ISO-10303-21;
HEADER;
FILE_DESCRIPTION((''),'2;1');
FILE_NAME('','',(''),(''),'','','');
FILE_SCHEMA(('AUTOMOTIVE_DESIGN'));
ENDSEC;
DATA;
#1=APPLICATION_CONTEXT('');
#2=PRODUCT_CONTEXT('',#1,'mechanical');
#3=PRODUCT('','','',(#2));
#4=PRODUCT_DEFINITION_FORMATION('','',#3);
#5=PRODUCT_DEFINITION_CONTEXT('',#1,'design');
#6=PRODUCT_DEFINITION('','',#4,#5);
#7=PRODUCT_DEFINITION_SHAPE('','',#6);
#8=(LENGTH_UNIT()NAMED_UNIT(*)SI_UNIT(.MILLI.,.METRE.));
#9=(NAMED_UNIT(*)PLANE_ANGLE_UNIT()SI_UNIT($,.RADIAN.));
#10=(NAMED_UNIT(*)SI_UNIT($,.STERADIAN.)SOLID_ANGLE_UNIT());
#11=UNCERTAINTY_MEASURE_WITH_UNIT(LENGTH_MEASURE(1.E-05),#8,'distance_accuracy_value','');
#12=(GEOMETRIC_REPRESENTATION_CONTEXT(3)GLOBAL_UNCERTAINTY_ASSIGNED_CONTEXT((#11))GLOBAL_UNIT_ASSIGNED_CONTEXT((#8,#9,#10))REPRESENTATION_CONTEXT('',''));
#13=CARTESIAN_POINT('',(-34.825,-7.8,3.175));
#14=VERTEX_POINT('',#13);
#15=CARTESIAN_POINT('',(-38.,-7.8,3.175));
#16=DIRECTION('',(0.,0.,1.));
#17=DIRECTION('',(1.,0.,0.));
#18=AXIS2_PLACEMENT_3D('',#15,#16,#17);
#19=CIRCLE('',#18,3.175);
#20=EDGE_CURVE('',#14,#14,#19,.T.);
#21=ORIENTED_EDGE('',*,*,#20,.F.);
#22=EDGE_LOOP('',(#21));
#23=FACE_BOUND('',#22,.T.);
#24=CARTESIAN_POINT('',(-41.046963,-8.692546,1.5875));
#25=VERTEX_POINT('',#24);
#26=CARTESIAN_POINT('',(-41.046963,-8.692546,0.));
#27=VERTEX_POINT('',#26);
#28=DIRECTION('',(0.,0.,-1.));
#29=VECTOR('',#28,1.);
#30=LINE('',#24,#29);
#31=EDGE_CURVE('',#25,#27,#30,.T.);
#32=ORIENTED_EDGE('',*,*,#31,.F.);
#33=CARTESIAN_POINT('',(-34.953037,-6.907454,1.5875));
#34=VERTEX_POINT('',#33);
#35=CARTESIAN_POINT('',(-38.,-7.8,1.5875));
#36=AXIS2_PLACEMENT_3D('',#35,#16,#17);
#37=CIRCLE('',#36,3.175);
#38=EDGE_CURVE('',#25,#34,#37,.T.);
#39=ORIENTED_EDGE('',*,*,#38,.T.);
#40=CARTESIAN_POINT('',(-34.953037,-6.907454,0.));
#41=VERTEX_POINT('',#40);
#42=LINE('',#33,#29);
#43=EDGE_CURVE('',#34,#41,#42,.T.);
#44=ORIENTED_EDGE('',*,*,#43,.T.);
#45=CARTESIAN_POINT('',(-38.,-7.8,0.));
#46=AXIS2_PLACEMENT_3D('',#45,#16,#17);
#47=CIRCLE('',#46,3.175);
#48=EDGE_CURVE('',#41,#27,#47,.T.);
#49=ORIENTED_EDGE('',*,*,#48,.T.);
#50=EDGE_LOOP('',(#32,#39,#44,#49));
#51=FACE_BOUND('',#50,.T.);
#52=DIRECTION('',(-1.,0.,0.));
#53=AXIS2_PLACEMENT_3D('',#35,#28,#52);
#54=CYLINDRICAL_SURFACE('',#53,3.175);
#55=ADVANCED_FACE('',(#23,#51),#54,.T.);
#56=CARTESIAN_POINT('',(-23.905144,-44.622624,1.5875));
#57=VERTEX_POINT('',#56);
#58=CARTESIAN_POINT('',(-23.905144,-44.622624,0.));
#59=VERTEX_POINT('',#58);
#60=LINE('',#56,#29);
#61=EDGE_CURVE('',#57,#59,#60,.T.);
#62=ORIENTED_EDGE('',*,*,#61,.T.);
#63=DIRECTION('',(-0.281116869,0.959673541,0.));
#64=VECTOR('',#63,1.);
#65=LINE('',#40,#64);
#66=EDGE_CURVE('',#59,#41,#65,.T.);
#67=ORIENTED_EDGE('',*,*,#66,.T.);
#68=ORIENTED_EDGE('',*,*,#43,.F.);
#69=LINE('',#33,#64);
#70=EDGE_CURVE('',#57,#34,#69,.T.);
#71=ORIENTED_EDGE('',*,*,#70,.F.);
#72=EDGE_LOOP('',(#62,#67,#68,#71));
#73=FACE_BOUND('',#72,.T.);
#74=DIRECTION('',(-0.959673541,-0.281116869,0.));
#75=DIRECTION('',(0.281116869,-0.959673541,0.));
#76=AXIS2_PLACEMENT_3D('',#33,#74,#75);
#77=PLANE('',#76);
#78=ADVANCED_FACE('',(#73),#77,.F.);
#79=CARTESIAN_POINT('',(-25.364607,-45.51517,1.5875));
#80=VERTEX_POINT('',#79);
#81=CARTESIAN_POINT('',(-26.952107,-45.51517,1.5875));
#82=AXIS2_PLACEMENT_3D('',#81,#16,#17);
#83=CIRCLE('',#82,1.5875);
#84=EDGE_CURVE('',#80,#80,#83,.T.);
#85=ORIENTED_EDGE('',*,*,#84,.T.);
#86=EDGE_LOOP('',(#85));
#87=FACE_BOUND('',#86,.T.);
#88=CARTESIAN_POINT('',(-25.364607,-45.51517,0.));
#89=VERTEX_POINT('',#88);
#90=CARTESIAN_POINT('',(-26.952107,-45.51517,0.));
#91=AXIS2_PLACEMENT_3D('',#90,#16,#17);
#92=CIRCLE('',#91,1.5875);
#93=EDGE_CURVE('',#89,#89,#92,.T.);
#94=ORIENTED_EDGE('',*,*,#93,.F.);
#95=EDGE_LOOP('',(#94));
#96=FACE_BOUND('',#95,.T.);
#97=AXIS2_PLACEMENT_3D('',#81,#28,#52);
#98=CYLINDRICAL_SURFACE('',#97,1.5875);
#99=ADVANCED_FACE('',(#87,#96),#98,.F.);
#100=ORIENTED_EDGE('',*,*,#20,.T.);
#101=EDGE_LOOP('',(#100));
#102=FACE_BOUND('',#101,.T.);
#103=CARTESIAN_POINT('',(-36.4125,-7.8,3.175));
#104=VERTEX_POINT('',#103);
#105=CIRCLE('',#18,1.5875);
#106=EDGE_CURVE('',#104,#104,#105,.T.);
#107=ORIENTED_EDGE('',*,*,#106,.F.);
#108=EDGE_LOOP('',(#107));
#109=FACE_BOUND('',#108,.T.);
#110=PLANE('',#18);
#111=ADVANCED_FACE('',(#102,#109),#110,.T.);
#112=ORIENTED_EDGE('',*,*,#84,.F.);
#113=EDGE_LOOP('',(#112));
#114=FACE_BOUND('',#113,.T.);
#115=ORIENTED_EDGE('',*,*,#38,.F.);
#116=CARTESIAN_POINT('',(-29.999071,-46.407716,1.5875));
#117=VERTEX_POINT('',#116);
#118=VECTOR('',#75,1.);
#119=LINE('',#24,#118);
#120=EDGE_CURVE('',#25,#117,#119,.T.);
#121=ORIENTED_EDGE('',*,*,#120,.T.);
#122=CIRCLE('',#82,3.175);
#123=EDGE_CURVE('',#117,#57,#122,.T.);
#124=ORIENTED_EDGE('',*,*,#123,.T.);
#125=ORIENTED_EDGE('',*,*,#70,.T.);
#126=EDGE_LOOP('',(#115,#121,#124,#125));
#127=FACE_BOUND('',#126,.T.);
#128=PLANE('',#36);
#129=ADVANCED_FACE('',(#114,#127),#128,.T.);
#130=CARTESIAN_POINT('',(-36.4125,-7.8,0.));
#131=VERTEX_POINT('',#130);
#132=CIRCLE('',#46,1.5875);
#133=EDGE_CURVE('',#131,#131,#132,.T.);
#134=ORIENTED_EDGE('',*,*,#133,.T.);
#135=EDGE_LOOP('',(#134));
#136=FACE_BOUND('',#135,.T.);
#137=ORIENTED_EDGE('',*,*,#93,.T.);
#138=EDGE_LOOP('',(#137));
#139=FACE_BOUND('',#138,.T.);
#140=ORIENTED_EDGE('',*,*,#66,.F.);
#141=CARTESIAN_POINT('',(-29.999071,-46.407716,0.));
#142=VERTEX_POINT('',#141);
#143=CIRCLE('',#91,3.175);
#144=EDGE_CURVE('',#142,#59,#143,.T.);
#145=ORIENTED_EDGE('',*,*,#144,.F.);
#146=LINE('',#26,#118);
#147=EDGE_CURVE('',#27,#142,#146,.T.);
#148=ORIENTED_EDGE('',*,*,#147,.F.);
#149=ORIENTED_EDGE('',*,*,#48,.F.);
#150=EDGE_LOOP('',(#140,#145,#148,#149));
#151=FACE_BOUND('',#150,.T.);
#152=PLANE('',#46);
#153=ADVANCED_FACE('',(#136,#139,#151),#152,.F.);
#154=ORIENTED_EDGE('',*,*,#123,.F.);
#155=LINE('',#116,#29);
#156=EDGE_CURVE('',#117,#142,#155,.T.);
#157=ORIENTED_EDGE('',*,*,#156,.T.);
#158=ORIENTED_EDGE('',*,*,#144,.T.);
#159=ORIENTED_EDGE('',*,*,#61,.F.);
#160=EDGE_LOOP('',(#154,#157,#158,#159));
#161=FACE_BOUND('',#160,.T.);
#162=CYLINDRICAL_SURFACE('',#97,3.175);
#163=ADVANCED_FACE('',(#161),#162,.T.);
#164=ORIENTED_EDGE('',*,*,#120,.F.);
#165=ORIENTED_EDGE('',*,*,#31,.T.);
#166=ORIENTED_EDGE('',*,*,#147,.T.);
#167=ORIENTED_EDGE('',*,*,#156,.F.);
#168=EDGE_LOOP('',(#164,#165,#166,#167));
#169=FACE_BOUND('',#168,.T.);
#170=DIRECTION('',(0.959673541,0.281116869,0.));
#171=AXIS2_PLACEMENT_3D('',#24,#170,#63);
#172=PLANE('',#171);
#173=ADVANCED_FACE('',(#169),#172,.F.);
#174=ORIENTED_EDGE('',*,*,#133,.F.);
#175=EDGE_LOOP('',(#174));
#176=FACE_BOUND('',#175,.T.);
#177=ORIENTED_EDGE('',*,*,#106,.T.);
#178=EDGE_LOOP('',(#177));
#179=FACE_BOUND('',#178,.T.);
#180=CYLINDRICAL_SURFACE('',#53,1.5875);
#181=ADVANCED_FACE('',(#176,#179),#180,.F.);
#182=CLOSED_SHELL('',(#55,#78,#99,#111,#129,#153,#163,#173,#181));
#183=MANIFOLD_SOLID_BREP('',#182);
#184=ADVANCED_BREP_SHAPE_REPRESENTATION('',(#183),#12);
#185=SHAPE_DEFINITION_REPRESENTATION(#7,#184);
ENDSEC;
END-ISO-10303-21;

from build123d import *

# Parameters (mm, degrees)
SKETCH1_R           = 1.5875
BOSS_EXTRUDE1_DEPTH = 1.5875
SKETCH2_R           = 3.175
SKETCH2_R_2         = 1.5875
BOSS_EXTRUDE2_DEPTH = 1.5875


with BuildPart() as part:
    # Sketch1 → Boss-Extrude1 (new body)
    with BuildSketch(Plane.XY):
        with BuildLine():
            Line((-34.953036507, -6.90745394), (-23.905143538, -44.62262411))
            ThreePointArc((-23.905143538, -44.62262411), (-26.059560971, -48.562133663), (-29.999070525, -46.407716231))
            Line((-29.999070525, -46.407716231), (-41.046963493, -8.69254606))
            ThreePointArc((-41.046963493, -8.69254606), (-38.89254606, -4.753036507), (-34.953036507, -6.90745394))
        make_face()
        with Locations((-26.952107032, -45.51517017)):
            Circle(SKETCH1_R, mode=Mode.SUBTRACT)
        with Locations((-38, -7.8)):
            Circle(SKETCH1_R, mode=Mode.SUBTRACT)
    extrude(amount=BOSS_EXTRUDE1_DEPTH)

    # Sketch2 → Boss-Extrude2 (add)
    with BuildSketch(Plane.XY.offset(1.5875)):
        with Locations(Location((-38, -7.8, 0), (0, 0, 196.32687427))):
            Circle(SKETCH2_R)
        with Locations((-38, -7.8)):
            Circle(SKETCH2_R_2, mode=Mode.SUBTRACT)
    extrude(amount=BOSS_EXTRUDE2_DEPTH)


solid = part.part
